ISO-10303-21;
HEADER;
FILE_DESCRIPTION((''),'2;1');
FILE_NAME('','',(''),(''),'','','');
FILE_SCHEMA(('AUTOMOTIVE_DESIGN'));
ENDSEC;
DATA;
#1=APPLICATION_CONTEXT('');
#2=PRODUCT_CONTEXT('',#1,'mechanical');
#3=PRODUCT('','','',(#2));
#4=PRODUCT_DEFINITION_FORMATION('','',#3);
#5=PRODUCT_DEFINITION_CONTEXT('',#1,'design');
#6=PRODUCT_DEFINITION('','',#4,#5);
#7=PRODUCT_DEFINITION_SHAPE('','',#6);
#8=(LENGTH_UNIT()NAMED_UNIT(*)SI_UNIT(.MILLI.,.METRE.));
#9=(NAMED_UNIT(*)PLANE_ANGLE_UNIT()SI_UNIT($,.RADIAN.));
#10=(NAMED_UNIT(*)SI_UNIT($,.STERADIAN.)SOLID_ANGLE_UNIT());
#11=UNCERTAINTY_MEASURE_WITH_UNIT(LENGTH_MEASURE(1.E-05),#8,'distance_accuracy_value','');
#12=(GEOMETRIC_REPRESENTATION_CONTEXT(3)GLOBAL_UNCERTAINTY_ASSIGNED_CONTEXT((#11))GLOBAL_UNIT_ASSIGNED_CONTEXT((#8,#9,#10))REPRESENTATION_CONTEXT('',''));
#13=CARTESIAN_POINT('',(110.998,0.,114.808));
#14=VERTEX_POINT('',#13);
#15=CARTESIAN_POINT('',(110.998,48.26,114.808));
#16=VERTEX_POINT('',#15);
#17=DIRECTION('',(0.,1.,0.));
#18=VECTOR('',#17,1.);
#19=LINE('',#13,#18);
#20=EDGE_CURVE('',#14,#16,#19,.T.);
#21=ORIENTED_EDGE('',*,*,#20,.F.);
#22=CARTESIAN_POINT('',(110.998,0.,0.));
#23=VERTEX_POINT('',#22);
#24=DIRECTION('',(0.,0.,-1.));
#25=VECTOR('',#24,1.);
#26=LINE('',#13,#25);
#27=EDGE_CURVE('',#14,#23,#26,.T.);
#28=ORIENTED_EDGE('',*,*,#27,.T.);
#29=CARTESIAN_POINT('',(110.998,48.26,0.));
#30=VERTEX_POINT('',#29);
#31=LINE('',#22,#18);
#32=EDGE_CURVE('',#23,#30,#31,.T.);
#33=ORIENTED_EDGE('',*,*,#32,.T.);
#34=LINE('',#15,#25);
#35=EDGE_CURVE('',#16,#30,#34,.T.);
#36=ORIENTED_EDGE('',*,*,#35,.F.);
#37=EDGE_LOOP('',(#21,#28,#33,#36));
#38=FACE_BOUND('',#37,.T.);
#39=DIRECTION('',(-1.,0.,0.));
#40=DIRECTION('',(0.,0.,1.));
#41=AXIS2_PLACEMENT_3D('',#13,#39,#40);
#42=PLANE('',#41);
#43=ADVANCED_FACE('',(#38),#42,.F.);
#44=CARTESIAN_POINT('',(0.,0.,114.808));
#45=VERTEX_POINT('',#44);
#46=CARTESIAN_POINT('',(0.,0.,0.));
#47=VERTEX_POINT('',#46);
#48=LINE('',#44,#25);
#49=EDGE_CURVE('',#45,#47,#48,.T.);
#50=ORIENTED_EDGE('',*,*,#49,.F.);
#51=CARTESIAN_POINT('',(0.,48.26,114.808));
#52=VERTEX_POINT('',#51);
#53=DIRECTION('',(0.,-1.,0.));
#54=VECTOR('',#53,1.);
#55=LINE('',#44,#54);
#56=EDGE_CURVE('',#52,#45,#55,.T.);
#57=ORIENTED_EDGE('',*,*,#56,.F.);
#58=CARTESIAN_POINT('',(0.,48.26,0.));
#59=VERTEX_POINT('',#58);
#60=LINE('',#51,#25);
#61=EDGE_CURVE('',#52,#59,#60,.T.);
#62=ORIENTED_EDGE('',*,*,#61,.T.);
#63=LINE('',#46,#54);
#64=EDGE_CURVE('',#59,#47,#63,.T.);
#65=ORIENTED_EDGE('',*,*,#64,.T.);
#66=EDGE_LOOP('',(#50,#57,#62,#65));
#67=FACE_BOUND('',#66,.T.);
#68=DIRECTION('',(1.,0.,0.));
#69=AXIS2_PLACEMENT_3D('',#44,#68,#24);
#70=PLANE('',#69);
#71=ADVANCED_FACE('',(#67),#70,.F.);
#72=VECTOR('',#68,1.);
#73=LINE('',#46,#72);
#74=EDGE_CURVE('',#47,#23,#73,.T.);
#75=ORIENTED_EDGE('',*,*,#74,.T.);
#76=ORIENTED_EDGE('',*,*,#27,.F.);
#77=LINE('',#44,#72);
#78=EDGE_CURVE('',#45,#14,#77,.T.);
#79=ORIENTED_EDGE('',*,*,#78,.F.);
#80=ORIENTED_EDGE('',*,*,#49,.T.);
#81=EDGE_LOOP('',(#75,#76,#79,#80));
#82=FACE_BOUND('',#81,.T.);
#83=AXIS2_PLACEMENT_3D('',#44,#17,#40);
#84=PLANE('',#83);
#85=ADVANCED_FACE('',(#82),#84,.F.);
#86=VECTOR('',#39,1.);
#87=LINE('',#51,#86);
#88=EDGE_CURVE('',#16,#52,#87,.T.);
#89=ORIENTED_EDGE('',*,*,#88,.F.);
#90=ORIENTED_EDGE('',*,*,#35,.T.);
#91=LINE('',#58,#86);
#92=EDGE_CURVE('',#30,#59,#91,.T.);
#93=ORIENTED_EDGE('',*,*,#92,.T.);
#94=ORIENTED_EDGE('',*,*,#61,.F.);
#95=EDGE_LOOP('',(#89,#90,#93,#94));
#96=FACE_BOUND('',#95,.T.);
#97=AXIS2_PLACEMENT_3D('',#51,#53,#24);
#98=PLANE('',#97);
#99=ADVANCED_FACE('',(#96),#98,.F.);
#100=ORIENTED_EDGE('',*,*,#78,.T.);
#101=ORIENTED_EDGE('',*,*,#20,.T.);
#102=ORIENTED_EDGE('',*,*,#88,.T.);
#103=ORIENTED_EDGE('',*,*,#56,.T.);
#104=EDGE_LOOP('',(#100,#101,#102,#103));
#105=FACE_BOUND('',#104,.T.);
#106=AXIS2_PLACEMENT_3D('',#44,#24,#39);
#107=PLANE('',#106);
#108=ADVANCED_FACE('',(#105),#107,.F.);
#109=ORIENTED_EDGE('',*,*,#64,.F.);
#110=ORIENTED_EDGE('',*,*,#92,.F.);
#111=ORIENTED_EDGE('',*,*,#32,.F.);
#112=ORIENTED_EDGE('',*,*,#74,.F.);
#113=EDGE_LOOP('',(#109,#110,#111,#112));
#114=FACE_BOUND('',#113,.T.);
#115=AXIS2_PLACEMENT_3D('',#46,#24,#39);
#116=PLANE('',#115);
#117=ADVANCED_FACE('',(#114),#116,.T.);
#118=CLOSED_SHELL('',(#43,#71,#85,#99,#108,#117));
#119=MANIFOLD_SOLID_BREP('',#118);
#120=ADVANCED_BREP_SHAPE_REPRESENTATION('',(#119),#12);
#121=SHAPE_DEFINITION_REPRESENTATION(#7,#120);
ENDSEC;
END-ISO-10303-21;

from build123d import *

# Parameters (mm, degrees)
SKETCH1_W           = 110.998
SKETCH1_H           = 48.26
BOSS_EXTRUDE1_DEPTH = 114.808


with BuildPart() as part:
    # Sketch1 → Boss-Extrude1 (new body)
    with BuildSketch(Plane.XY):
        with Locations((55.499, 24.13)):
            Rectangle(SKETCH1_W, SKETCH1_H)
    extrude(amount=BOSS_EXTRUDE1_DEPTH)


solid = part.part
